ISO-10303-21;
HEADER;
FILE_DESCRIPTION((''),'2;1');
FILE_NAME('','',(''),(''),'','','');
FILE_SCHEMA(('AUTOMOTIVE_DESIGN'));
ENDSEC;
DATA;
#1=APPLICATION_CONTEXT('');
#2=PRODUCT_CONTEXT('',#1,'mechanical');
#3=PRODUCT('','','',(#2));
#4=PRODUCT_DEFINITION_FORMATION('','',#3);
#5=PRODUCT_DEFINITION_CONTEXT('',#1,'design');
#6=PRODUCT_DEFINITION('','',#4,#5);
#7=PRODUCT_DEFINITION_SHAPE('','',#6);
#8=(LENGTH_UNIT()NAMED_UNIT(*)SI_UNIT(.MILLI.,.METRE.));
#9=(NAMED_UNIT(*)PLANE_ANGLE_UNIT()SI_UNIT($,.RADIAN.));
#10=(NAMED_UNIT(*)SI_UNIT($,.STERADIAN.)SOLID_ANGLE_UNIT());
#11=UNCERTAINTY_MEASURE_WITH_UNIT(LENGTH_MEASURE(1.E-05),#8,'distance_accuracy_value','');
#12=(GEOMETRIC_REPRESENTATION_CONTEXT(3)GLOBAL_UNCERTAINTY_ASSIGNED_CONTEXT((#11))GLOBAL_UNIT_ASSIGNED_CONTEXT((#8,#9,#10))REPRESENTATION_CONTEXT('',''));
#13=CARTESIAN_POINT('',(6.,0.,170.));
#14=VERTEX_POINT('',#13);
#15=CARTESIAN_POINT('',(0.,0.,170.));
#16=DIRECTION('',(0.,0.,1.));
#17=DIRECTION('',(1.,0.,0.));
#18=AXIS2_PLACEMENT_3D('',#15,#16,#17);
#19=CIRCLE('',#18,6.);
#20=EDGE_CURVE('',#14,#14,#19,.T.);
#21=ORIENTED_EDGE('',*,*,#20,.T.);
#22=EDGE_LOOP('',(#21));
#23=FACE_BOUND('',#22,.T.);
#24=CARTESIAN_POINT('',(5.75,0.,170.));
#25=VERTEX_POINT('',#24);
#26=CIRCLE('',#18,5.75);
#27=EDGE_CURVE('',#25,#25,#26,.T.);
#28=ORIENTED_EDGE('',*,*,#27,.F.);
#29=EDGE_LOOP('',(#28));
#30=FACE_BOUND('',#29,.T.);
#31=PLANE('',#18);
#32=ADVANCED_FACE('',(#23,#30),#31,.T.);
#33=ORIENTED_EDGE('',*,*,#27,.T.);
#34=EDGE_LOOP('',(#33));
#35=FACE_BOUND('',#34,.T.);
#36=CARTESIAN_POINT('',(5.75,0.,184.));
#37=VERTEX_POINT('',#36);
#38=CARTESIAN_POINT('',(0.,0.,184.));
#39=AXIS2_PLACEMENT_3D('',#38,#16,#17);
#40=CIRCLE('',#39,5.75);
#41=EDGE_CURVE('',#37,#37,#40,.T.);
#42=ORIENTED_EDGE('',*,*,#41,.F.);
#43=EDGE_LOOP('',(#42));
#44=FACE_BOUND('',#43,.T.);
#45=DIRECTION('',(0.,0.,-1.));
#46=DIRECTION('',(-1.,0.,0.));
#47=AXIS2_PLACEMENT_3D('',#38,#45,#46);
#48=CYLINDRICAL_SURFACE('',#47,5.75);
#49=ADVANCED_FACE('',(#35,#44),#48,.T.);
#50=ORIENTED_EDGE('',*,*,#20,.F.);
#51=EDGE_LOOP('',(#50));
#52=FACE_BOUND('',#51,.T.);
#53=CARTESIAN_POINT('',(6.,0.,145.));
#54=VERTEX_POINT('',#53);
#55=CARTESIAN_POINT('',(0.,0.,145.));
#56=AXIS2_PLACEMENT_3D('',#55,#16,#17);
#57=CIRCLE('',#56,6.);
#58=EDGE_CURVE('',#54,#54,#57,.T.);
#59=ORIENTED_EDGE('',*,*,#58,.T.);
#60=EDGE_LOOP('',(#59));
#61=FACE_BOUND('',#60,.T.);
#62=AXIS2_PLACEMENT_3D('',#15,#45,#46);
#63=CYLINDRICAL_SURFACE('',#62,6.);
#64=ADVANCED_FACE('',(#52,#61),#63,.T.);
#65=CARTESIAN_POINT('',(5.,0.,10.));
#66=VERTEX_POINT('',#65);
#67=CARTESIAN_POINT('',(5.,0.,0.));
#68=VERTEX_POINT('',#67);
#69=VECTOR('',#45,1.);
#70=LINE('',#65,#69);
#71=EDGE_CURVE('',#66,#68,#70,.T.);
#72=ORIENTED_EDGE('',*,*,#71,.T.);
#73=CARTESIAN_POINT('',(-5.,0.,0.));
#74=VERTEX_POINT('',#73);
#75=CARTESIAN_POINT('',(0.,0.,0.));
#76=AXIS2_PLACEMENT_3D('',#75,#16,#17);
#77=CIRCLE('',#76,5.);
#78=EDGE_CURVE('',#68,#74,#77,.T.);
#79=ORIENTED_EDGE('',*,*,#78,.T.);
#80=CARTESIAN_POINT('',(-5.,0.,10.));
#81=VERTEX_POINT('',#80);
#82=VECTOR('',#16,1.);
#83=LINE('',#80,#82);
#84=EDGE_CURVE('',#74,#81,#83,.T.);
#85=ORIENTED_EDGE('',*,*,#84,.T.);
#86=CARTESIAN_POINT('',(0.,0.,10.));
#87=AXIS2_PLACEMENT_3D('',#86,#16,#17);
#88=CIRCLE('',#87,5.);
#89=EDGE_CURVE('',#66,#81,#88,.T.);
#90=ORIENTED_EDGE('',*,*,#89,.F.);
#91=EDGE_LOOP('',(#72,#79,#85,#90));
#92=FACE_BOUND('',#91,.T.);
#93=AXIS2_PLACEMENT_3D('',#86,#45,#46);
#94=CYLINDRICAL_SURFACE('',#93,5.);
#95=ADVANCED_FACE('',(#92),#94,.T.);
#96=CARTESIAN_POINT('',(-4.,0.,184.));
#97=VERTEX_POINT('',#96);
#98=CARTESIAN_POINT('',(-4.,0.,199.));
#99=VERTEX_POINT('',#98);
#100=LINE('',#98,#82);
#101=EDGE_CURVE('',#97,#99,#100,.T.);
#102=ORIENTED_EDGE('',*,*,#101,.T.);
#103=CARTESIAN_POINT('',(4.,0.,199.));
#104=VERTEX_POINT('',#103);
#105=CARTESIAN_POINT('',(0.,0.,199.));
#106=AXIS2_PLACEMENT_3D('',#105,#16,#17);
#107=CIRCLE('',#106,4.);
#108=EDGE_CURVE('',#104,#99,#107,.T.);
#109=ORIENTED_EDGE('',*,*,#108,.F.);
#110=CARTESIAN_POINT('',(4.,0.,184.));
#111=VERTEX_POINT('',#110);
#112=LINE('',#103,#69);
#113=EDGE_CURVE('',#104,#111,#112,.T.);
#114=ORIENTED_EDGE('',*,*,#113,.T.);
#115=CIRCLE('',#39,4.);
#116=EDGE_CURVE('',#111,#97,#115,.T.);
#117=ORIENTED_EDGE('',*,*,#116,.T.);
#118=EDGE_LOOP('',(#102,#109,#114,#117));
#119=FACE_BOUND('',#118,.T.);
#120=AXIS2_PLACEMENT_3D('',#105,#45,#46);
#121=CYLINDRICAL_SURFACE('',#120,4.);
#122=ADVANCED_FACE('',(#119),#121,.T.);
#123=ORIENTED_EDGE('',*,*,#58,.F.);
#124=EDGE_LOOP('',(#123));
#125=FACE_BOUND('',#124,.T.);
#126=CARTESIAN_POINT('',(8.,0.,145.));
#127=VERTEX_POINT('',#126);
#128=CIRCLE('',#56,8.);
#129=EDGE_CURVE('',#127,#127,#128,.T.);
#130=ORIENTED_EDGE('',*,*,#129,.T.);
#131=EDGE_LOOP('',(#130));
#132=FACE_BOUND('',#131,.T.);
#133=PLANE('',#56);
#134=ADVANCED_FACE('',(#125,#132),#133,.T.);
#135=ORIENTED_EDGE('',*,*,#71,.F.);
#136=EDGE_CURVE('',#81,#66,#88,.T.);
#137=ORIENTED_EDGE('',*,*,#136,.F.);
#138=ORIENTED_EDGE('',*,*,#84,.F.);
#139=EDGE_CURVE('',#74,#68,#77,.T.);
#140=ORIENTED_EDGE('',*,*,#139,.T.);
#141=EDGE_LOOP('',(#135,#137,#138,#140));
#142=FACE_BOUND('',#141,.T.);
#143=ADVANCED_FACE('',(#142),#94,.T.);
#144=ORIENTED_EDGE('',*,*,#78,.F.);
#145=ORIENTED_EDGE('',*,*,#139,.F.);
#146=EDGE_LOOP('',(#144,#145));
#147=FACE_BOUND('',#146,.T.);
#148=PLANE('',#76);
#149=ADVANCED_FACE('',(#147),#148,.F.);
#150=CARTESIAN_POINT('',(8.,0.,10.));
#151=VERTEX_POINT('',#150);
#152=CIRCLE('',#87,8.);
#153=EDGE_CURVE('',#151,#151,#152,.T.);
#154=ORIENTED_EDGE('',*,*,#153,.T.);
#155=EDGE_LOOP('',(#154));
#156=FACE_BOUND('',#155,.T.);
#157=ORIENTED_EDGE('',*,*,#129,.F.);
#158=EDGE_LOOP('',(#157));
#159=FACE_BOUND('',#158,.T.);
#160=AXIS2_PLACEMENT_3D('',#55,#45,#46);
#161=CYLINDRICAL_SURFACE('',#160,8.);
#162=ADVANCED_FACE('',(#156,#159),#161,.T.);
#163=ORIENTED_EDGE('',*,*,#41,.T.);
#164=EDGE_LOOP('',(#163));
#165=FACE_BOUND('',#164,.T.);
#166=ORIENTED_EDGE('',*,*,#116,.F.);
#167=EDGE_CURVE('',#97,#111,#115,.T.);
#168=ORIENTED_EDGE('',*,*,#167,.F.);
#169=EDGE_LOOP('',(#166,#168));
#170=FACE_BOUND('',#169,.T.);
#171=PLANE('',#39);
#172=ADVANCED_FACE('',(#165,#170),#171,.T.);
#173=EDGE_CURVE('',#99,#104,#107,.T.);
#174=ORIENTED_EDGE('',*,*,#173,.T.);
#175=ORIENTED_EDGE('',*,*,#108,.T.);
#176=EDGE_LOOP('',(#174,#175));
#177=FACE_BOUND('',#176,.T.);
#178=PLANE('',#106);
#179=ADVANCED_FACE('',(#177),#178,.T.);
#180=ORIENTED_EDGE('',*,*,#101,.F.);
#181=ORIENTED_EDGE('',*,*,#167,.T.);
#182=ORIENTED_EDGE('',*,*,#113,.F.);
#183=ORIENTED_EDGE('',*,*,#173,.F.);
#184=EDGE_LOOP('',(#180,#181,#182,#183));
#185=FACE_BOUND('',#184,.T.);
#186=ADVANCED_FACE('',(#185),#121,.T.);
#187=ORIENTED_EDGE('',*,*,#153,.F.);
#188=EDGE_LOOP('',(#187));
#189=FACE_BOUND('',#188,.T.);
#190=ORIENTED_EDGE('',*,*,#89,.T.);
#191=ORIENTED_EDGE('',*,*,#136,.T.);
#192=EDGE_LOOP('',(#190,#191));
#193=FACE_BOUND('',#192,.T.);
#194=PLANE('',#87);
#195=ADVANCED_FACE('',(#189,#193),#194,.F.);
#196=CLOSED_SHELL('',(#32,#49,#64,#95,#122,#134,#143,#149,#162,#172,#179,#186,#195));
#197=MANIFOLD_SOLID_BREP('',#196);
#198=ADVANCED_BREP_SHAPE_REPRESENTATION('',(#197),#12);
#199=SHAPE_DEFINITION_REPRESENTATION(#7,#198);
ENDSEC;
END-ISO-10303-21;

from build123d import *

# Parameters (mm, degrees)
SKETCH_1_R      = 5
EXTRUDE_1_DEPTH = 10
SKETCH_2_R      = 8
EXTRUDE_2_DEPTH = 135
SKETCH_3_R      = 6
EXTRUDE_3_DEPTH = 25
SKETCH_4_R      = 5.75
EXTRUDE_4_DEPTH = 14
SKETCH_5_R      = 4
EXTRUDE_5_DEPTH = 15


with BuildPart() as part:
    # 스케치1 → 보스-돌출1 (new body)
    with BuildSketch(Plane.XY):
        Circle(SKETCH_1_R)
    extrude(amount=EXTRUDE_1_DEPTH)

    # 스케치2 → 보스-돌출2 (add)
    with BuildSketch(Plane.XY.offset(10)):
        Circle(SKETCH_2_R)
    extrude(amount=EXTRUDE_2_DEPTH)

    # 스케치3 → 보스-돌출3 (add)
    with BuildSketch(Plane.XY.offset(145)):
        Circle(SKETCH_3_R)
    extrude(amount=EXTRUDE_3_DEPTH)

    # 스케치4 → 보스-돌출4 (add)
    with BuildSketch(Plane.XY.offset(170)):
        Circle(SKETCH_4_R)
    extrude(amount=EXTRUDE_4_DEPTH)

    # 스케치5 → 보스-돌출5 (add)
    with BuildSketch(Plane.XY.offset(184)):
        Circle(SKETCH_5_R)
    extrude(amount=EXTRUDE_5_DEPTH)


solid = part.part
